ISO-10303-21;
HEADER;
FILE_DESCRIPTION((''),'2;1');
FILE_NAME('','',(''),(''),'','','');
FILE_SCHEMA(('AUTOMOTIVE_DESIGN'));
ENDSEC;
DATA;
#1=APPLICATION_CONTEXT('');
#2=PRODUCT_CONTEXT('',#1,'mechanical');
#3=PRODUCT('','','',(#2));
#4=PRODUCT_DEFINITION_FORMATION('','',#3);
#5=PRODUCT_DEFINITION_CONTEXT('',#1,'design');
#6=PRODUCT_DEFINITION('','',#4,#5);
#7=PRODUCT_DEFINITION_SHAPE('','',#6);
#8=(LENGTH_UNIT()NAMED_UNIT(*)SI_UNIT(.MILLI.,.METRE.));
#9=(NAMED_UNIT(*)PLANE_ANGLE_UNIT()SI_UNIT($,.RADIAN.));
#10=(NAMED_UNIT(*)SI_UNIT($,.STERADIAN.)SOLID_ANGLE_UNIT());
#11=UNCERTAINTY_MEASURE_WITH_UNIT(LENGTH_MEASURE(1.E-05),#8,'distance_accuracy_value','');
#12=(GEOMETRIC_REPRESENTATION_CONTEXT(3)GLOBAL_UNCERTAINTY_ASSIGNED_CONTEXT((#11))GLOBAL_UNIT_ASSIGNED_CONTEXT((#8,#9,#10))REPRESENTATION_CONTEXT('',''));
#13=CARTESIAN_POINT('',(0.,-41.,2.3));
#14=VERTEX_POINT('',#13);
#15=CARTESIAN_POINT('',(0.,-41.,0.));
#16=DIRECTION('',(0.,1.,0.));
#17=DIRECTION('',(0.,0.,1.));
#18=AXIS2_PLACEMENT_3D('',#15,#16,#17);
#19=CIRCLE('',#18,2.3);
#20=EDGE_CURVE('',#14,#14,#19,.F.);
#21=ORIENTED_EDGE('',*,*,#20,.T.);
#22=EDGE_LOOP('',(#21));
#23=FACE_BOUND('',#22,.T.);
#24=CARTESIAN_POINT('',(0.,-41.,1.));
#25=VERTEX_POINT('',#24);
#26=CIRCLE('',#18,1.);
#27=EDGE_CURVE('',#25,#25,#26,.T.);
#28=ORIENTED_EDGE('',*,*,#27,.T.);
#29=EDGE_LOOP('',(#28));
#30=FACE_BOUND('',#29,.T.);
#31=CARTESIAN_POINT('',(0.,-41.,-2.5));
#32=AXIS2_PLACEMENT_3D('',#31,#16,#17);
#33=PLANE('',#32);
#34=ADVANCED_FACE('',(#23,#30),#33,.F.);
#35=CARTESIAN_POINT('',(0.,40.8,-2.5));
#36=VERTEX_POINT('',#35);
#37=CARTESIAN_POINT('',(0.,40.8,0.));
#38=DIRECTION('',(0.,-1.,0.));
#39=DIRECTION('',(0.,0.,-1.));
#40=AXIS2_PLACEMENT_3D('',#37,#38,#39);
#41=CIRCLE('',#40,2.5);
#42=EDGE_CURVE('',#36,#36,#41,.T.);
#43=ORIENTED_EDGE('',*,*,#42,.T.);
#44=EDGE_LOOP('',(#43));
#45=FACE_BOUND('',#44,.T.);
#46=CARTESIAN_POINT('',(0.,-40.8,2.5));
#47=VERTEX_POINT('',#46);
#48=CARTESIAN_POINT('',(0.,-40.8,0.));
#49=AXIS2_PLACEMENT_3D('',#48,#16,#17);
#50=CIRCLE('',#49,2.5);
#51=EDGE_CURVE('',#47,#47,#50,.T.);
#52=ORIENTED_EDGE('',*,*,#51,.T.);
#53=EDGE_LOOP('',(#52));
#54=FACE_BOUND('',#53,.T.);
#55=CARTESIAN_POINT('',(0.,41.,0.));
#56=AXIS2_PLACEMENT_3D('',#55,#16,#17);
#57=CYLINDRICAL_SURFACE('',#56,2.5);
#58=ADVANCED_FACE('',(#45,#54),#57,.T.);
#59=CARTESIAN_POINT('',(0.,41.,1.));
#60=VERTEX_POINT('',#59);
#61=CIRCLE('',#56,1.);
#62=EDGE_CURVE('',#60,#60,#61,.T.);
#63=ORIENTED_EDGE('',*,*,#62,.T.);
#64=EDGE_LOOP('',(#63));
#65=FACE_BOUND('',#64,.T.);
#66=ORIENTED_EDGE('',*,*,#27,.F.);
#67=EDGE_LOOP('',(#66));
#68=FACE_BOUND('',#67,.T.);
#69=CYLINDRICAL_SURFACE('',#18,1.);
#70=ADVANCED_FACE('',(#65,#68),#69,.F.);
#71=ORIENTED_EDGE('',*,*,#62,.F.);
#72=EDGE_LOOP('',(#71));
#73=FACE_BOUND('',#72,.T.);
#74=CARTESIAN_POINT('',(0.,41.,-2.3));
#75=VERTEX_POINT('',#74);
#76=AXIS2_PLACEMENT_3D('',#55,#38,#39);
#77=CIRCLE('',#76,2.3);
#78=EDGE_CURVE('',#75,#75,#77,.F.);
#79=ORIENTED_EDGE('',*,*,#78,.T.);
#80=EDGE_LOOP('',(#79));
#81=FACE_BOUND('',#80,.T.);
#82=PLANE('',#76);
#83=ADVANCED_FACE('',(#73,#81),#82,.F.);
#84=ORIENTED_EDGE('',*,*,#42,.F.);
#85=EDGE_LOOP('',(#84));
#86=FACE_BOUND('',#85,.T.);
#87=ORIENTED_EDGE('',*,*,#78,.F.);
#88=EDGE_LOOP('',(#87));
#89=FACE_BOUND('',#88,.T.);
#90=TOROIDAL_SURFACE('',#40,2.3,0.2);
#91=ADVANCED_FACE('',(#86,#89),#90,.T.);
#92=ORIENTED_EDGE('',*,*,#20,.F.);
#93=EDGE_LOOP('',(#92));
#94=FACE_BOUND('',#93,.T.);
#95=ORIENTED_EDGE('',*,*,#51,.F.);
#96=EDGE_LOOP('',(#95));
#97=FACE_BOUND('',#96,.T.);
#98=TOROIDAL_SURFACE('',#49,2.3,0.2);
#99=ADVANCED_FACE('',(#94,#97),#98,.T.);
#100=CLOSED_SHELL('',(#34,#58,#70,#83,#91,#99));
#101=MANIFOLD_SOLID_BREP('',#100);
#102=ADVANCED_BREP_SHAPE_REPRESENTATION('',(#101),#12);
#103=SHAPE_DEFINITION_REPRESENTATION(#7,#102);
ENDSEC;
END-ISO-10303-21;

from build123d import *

# Parameters (mm, degrees)
SKETCH3_W          = 2.5
SKETCH3_H          = 82
SKETCH4_R          = 1
CUT_EXTRUDE1_DEPTH = 82
FILLET1_R          = 0.2


with BuildPart() as part:
    # Sketch3 → Revolve2 (revolve)
    with BuildSketch(Plane(origin=(0, 0, 0), x_dir=(0, 0, -1), z_dir=(1, 0, 0))):
        with Locations((1.25, 0)):
            Rectangle(SKETCH3_W, SKETCH3_H)
    revolve(axis=Axis((0, 41, 0), (0, -1, 0)))

    # Sketch4 → Cut-Extrude1 (cut)
    with BuildSketch(Plane(origin=(0, 41, 0), x_dir=(1, 0, 0), z_dir=(0, 1, 0))):
        Circle(SKETCH4_R)
    extrude(amount=-CUT_EXTRUDE1_DEPTH, mode=Mode.SUBTRACT)

    # Fillet1
    fillet1_edges = [part.edges().sort_by_distance(p)[0] for p in [
        (0, 41, 2.5),
        (0, -41, 2.5),
    ]]
    fillet(fillet1_edges, radius=FILLET1_R)


solid = part.part
